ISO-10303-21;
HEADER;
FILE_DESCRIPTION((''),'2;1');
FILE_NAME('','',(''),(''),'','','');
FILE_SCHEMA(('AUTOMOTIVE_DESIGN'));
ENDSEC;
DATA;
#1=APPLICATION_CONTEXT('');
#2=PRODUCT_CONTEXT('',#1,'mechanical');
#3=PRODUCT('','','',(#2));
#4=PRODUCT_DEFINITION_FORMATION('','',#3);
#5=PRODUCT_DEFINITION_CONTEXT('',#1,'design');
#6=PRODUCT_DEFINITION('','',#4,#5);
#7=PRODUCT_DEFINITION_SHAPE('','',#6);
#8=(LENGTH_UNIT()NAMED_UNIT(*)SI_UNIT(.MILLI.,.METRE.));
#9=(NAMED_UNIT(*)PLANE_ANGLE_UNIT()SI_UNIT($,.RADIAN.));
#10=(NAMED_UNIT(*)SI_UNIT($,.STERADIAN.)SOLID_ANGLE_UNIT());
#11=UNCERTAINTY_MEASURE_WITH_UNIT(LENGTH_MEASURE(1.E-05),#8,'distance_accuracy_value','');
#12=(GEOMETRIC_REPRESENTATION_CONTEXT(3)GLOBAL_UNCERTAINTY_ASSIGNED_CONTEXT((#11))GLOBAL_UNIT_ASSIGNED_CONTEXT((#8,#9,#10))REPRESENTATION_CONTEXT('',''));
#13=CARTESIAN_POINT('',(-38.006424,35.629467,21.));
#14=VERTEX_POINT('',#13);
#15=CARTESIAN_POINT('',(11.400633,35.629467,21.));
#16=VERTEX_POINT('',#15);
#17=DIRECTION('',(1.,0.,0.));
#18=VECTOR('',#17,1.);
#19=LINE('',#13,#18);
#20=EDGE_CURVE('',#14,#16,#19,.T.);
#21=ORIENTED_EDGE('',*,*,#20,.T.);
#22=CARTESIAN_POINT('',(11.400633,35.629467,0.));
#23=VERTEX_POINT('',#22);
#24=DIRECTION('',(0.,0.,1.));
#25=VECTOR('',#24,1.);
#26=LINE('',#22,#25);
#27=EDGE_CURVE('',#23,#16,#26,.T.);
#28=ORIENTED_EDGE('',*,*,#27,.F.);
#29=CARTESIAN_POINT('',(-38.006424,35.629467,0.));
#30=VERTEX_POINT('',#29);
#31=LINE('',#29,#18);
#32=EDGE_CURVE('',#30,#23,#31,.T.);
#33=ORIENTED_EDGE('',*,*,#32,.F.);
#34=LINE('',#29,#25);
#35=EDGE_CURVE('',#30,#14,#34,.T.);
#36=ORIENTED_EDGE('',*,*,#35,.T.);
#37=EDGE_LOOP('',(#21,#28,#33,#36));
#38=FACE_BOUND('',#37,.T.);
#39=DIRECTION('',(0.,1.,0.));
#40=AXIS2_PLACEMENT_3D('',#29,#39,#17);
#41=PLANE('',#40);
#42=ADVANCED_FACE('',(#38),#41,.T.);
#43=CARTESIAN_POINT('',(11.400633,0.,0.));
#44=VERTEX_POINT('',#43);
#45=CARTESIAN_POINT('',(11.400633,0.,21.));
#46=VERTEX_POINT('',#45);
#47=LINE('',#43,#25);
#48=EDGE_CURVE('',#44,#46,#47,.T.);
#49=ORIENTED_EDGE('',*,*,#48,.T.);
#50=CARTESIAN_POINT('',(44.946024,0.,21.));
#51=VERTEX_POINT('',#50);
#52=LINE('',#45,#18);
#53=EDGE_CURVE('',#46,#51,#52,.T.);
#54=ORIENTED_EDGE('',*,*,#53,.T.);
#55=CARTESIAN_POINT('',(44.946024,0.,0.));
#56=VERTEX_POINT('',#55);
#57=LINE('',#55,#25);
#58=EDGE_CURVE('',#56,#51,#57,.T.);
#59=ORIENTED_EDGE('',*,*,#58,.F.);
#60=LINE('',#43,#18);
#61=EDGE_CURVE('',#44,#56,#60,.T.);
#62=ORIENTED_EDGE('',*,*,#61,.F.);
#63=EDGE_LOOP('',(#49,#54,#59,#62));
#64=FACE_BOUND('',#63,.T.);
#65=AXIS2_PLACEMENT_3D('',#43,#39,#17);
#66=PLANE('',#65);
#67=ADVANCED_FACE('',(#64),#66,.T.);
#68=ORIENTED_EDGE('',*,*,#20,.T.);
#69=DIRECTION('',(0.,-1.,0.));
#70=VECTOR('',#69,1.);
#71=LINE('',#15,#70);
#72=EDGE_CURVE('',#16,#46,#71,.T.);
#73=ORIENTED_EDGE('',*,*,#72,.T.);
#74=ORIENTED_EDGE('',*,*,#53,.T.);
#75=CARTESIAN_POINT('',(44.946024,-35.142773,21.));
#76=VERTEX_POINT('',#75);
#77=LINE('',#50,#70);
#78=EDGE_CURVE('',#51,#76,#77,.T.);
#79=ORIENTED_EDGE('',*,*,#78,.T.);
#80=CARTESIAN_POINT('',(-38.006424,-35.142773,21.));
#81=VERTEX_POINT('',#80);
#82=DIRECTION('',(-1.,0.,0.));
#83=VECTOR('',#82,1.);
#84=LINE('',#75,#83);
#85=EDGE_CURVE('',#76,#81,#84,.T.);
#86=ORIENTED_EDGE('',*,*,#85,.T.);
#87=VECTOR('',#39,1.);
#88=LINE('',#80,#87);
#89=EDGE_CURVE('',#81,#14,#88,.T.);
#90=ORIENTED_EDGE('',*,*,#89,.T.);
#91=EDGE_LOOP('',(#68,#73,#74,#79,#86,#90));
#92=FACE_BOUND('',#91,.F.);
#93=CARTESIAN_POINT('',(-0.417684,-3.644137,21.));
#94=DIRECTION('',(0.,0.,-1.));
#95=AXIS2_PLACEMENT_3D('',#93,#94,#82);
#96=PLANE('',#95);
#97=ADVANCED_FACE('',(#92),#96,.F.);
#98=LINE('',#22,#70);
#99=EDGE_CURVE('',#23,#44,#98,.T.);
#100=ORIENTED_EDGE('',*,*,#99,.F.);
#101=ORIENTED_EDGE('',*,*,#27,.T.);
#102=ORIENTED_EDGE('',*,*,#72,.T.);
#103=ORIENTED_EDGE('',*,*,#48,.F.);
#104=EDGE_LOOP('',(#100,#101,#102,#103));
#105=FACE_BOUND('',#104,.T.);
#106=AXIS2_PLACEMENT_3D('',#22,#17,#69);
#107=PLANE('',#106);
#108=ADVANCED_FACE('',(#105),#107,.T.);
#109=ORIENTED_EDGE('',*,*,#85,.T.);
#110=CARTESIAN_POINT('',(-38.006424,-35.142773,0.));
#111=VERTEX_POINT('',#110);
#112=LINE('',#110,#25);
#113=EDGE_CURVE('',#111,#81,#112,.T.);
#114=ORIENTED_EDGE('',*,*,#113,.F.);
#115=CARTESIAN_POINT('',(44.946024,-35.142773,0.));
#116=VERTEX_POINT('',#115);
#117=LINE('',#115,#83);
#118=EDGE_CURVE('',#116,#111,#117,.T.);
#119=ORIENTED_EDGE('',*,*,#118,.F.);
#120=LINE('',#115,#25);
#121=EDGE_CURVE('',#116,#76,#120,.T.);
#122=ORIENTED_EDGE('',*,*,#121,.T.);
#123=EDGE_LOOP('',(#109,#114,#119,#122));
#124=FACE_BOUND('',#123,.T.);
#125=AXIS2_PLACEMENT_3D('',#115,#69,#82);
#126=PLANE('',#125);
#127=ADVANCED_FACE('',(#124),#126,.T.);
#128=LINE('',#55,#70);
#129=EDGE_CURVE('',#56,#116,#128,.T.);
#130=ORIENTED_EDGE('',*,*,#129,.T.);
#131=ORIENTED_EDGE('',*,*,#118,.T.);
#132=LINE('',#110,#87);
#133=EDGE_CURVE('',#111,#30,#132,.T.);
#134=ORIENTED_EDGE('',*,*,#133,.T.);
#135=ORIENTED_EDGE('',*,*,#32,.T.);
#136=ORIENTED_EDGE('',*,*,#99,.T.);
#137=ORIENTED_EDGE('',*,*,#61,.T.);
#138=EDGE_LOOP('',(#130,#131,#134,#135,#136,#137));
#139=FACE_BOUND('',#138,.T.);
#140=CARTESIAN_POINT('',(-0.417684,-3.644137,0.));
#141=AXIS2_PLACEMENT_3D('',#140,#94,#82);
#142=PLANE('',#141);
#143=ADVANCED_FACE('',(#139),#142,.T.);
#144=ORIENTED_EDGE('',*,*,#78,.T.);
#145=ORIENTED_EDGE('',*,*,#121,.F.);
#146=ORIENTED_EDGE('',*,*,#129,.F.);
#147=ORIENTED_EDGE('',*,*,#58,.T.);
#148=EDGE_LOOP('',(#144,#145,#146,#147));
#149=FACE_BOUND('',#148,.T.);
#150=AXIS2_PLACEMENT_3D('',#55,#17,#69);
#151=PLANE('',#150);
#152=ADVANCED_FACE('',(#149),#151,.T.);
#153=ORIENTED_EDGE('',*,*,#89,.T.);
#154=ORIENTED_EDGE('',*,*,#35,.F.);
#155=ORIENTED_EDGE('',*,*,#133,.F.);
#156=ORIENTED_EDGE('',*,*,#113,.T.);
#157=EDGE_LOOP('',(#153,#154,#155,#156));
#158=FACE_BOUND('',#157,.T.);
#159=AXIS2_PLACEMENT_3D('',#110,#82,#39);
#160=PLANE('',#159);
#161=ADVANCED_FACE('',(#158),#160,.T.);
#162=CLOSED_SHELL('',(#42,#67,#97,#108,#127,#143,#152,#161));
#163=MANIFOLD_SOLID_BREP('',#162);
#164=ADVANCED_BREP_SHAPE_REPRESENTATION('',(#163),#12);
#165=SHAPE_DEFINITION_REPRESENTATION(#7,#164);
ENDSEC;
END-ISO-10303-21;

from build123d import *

# Parameters (mm, degrees)
PAD_DEPTH = 21


with BuildPart() as part:
    # Sketch → Pad (new body)
    with BuildSketch(Plane.XY):
        Polygon((-38.006424, 35.629467), (11.400633, 35.629467), (11.400633, 0), (44.946024, 0), (44.946024, -35.142773), (-38.006424, -35.142773), align=None)
    extrude(amount=PAD_DEPTH)


solid = part.part
